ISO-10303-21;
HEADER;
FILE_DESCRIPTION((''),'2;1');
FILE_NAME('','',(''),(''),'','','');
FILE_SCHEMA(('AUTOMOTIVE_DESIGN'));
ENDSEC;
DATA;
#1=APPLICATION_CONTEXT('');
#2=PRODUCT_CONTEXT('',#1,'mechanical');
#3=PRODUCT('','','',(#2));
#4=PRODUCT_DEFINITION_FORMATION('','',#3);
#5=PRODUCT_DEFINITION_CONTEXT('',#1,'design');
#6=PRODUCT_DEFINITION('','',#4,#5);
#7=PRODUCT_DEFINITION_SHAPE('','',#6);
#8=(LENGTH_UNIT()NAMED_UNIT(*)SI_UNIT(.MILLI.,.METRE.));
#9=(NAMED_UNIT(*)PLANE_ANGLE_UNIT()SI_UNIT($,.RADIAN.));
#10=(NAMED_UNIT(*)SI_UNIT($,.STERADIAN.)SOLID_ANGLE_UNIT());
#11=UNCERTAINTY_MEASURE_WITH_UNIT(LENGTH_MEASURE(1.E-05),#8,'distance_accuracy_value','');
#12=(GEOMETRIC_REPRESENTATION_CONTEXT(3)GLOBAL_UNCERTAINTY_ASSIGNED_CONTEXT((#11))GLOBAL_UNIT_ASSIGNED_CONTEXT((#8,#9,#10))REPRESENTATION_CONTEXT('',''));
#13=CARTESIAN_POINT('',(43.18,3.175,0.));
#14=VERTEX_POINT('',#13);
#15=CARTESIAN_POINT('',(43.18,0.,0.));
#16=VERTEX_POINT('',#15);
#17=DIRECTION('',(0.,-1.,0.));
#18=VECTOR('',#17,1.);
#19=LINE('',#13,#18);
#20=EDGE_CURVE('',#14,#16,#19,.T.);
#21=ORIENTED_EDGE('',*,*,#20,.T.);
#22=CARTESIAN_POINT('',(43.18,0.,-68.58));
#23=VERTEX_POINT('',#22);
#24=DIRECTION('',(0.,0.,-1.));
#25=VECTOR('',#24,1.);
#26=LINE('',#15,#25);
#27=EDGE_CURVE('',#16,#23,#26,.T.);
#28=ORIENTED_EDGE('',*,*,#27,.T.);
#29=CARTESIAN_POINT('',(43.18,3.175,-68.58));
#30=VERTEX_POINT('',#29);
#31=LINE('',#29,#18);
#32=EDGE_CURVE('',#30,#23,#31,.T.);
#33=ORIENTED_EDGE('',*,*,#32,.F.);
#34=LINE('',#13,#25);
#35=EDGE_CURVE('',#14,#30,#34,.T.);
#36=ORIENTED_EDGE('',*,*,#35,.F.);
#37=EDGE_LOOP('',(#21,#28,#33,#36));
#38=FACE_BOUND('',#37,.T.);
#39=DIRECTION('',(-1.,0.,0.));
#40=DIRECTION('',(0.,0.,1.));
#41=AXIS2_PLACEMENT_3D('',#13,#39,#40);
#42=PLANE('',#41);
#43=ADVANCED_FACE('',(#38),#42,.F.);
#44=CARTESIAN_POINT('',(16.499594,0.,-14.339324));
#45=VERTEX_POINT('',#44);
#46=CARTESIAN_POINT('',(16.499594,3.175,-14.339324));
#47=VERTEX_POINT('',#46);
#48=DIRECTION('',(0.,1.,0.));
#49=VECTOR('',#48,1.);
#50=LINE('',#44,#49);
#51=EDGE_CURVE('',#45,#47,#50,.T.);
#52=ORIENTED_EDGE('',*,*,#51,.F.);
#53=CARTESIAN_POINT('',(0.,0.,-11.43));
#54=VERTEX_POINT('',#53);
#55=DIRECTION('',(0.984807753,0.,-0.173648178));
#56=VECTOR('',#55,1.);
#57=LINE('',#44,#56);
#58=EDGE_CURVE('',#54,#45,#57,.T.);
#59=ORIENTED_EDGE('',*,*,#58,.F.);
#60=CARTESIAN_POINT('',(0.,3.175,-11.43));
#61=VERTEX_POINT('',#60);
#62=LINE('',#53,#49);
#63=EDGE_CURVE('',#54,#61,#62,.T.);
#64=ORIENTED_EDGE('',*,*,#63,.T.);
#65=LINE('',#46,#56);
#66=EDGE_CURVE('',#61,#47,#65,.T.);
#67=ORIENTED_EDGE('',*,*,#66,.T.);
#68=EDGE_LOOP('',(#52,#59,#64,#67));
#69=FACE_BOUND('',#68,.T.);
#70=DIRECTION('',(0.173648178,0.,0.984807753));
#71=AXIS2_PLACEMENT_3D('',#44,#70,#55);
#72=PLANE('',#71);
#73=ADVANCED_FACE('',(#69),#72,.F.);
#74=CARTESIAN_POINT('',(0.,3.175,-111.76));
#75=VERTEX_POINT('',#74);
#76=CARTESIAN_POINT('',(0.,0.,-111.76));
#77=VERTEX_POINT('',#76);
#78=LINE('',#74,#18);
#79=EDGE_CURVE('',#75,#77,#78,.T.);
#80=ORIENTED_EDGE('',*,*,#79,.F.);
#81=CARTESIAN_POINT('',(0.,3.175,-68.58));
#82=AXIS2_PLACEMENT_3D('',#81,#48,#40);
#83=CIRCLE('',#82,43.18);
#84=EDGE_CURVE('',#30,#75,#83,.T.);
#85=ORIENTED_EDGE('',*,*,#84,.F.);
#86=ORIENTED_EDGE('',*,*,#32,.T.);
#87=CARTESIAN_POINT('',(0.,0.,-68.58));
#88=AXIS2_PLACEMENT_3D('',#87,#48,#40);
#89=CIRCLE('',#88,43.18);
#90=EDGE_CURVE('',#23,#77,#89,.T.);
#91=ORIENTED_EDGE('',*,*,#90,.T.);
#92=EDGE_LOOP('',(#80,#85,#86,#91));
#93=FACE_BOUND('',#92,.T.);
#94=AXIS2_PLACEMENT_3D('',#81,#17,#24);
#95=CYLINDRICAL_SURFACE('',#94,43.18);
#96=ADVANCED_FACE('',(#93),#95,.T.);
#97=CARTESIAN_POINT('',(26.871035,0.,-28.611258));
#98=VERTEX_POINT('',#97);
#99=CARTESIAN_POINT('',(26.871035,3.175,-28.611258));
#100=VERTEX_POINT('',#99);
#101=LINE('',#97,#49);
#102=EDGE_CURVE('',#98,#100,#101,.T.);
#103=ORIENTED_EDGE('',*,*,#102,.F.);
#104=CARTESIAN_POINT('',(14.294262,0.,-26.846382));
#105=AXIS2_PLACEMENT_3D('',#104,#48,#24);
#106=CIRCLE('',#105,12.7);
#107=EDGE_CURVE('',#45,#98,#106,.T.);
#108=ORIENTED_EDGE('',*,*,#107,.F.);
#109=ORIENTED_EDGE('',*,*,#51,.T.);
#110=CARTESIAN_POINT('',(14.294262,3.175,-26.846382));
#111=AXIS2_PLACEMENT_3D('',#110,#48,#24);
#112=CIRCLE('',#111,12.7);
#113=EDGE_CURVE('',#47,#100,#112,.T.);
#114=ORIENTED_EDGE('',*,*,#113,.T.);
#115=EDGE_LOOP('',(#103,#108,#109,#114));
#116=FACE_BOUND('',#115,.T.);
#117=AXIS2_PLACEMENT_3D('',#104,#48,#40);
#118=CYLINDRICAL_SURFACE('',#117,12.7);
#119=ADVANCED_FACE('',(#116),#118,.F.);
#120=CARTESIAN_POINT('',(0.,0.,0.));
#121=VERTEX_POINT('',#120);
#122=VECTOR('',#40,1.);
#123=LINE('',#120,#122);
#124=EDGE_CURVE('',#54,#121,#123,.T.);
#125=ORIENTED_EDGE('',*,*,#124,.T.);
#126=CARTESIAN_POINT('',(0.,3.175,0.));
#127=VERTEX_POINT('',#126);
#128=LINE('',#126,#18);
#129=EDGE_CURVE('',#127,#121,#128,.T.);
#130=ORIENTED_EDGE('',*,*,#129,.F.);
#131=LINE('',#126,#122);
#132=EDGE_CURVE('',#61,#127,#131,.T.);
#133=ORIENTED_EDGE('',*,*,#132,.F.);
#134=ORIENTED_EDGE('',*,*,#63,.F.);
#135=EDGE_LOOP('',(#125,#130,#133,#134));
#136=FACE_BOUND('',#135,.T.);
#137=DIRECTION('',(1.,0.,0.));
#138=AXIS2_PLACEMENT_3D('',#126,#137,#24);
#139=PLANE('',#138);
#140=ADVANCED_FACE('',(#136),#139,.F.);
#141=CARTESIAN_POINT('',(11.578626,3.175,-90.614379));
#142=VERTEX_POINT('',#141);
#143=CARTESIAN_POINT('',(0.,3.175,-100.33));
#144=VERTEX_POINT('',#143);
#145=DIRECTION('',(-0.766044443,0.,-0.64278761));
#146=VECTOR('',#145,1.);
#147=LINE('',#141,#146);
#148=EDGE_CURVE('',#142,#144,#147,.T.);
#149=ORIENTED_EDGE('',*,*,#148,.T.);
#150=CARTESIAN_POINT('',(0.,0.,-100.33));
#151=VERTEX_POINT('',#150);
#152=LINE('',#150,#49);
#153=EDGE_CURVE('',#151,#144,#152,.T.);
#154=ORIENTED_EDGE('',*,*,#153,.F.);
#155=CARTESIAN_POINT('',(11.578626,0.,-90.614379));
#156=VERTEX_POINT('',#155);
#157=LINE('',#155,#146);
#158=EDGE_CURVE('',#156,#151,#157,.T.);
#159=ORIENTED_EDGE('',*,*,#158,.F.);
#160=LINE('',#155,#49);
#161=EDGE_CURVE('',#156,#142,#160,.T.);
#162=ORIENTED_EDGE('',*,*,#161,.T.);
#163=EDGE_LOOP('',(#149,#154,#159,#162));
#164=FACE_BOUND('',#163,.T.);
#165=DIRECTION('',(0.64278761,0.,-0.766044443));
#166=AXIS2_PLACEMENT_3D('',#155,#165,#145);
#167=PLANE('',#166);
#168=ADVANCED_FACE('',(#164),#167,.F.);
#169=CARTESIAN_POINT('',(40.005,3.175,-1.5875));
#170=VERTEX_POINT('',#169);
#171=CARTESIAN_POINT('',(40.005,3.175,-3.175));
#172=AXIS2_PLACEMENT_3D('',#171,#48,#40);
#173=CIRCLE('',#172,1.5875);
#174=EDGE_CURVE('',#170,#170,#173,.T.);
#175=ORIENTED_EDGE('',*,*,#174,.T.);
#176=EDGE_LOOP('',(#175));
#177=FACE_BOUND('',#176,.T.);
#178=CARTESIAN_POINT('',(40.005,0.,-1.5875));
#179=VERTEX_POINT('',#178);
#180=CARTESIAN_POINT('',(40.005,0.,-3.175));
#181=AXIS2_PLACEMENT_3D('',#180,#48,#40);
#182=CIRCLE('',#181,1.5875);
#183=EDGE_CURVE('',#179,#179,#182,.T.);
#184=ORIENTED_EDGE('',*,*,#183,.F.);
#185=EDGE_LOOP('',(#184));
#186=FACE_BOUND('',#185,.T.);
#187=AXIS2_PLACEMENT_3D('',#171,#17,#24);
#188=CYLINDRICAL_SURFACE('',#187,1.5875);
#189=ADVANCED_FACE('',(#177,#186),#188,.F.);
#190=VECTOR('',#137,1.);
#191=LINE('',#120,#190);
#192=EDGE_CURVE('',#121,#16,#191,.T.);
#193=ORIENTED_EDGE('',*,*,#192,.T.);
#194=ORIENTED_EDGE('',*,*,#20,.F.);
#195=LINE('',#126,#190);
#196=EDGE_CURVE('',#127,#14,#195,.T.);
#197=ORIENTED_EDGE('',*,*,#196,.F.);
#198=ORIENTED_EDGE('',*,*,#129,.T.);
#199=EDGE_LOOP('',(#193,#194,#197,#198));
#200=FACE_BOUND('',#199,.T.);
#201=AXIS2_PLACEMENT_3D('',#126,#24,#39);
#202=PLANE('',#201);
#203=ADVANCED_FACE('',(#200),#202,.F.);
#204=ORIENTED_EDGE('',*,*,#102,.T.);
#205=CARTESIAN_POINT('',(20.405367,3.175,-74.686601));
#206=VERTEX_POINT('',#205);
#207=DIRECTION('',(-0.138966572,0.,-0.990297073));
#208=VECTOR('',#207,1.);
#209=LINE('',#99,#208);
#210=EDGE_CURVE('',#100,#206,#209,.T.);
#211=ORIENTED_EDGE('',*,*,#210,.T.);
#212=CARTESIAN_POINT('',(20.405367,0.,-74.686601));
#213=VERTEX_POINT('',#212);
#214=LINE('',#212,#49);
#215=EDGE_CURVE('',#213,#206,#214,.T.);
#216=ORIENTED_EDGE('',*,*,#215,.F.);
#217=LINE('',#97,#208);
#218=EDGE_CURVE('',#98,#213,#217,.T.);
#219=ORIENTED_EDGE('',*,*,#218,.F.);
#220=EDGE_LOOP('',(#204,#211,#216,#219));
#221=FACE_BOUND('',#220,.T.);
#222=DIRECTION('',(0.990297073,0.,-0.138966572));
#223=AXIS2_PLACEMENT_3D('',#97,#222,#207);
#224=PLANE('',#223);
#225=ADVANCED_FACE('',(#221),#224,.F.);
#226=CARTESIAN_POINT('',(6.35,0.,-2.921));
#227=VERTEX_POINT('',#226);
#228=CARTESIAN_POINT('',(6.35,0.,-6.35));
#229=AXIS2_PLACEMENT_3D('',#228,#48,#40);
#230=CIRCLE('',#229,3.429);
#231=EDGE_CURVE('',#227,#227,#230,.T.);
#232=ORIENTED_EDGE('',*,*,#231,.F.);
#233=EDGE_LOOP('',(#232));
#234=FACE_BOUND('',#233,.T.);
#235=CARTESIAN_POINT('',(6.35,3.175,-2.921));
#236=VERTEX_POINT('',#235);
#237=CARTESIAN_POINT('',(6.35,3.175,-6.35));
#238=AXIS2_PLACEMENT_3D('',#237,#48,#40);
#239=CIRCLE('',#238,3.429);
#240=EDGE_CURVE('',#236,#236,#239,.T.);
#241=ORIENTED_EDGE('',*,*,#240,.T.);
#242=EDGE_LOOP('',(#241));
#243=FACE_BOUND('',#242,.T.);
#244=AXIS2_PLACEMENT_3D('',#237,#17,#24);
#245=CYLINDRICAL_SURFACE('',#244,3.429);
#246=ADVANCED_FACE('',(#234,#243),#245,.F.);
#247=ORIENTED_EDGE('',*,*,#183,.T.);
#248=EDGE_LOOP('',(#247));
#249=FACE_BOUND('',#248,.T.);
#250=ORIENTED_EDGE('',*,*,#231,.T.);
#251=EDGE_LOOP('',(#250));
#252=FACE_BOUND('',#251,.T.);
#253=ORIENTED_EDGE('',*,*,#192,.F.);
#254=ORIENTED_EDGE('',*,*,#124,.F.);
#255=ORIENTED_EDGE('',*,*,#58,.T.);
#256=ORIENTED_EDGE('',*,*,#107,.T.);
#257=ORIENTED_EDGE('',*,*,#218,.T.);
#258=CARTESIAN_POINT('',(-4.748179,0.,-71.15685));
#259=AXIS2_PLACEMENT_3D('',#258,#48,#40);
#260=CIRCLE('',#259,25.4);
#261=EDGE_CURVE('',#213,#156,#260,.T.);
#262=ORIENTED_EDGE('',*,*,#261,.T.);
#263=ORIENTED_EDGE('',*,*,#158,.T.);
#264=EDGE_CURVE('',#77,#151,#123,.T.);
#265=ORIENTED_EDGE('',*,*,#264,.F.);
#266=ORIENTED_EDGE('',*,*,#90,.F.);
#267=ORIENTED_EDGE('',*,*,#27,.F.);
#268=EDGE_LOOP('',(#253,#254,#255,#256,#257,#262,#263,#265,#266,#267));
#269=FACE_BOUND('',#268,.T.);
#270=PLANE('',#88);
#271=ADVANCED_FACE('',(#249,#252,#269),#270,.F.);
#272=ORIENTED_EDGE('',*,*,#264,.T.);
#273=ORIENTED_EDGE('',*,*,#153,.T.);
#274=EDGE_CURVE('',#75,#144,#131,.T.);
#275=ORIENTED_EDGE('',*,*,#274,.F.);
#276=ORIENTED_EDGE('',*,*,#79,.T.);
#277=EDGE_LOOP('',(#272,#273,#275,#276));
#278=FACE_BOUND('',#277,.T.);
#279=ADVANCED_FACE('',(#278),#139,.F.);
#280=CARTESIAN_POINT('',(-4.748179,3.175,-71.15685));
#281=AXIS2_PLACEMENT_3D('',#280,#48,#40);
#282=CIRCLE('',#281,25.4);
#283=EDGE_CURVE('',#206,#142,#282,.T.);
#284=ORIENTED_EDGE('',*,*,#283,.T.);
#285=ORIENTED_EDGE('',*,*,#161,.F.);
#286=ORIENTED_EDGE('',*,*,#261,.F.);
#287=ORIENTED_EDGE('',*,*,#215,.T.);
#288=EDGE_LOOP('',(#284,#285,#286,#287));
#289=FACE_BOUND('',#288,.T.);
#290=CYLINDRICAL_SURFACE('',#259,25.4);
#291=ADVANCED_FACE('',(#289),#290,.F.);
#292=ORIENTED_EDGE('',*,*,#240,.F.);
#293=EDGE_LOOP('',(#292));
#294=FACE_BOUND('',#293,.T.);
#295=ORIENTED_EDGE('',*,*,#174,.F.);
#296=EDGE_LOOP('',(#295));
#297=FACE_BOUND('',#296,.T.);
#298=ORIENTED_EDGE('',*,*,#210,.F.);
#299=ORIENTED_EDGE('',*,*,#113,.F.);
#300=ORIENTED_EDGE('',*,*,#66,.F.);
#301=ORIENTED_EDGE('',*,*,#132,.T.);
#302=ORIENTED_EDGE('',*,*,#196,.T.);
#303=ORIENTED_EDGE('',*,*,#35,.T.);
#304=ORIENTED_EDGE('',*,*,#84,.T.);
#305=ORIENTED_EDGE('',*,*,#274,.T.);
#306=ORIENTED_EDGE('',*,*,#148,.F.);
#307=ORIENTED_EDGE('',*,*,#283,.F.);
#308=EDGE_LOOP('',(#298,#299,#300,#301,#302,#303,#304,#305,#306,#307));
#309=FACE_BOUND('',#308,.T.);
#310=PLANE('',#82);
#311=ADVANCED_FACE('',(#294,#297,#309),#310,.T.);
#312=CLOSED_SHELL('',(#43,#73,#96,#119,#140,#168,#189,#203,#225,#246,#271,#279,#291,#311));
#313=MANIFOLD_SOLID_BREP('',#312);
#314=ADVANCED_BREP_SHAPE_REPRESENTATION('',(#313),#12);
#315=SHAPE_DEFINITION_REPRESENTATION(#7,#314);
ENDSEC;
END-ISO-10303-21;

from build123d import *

# Parameters (mm, degrees)
SKETCH1_R           = 3.429
SKETCH1_R_2         = 1.5875
BOSS_EXTRUDE1_DEPTH = 3.175
CUT_EXTRUDE1_DEPTH  = 120.85362166


with BuildPart() as part:
    # Sketch1 → Boss-Extrude1 (new body)
    with BuildSketch(Plane(origin=(0, 0, 0), x_dir=(1, 0, 0), z_dir=(0, 1, 0))):
        with BuildLine():
            Line((0, 0), (43.18, 0))
            Line((43.18, 0), (43.18, 68.58))
            ThreePointArc((43.18, 68.58), (30.532870812, 99.112870812), (0, 111.76))
            Line((0, 111.76), (0, 0))
        make_face()
        with Locations(Location((6.35, 6.35, 0), (0, 0, 270))):
            Circle(SKETCH1_R, mode=Mode.SUBTRACT)
        with Locations(Location((40.005, 3.175, 0), (0, 0, 270))):
            Circle(SKETCH1_R_2, mode=Mode.SUBTRACT)
    extrude(amount=BOSS_EXTRUDE1_DEPTH)

    # Sketch2 → Cut-Extrude1 (cut, through all)
    with BuildSketch(Plane(origin=(0, 3.175, 0), x_dir=(1, 0, 0), z_dir=(0, 1, 0))):
        with BuildLine():
            Line((16.499594236, 14.339323634), (0, 11.43))
            Line((0, 11.43), (0, 100.33))
            Line((0, 100.33), (11.578626407, 90.614378852))
            ThreePointArc((11.578626407, 90.614378852), (17.468445655, 83.468697719), (20.405366763, 74.686600928))
            Line((20.405366763, 74.686600928), (26.8710352, 28.611257563))
            ThreePointArc((26.8710352, 28.611257563), (24.567999732, 19.380438031), (16.499594236, 14.339323634))
        make_face()
    extrude(amount=-CUT_EXTRUDE1_DEPTH, mode=Mode.SUBTRACT)


solid = part.part
